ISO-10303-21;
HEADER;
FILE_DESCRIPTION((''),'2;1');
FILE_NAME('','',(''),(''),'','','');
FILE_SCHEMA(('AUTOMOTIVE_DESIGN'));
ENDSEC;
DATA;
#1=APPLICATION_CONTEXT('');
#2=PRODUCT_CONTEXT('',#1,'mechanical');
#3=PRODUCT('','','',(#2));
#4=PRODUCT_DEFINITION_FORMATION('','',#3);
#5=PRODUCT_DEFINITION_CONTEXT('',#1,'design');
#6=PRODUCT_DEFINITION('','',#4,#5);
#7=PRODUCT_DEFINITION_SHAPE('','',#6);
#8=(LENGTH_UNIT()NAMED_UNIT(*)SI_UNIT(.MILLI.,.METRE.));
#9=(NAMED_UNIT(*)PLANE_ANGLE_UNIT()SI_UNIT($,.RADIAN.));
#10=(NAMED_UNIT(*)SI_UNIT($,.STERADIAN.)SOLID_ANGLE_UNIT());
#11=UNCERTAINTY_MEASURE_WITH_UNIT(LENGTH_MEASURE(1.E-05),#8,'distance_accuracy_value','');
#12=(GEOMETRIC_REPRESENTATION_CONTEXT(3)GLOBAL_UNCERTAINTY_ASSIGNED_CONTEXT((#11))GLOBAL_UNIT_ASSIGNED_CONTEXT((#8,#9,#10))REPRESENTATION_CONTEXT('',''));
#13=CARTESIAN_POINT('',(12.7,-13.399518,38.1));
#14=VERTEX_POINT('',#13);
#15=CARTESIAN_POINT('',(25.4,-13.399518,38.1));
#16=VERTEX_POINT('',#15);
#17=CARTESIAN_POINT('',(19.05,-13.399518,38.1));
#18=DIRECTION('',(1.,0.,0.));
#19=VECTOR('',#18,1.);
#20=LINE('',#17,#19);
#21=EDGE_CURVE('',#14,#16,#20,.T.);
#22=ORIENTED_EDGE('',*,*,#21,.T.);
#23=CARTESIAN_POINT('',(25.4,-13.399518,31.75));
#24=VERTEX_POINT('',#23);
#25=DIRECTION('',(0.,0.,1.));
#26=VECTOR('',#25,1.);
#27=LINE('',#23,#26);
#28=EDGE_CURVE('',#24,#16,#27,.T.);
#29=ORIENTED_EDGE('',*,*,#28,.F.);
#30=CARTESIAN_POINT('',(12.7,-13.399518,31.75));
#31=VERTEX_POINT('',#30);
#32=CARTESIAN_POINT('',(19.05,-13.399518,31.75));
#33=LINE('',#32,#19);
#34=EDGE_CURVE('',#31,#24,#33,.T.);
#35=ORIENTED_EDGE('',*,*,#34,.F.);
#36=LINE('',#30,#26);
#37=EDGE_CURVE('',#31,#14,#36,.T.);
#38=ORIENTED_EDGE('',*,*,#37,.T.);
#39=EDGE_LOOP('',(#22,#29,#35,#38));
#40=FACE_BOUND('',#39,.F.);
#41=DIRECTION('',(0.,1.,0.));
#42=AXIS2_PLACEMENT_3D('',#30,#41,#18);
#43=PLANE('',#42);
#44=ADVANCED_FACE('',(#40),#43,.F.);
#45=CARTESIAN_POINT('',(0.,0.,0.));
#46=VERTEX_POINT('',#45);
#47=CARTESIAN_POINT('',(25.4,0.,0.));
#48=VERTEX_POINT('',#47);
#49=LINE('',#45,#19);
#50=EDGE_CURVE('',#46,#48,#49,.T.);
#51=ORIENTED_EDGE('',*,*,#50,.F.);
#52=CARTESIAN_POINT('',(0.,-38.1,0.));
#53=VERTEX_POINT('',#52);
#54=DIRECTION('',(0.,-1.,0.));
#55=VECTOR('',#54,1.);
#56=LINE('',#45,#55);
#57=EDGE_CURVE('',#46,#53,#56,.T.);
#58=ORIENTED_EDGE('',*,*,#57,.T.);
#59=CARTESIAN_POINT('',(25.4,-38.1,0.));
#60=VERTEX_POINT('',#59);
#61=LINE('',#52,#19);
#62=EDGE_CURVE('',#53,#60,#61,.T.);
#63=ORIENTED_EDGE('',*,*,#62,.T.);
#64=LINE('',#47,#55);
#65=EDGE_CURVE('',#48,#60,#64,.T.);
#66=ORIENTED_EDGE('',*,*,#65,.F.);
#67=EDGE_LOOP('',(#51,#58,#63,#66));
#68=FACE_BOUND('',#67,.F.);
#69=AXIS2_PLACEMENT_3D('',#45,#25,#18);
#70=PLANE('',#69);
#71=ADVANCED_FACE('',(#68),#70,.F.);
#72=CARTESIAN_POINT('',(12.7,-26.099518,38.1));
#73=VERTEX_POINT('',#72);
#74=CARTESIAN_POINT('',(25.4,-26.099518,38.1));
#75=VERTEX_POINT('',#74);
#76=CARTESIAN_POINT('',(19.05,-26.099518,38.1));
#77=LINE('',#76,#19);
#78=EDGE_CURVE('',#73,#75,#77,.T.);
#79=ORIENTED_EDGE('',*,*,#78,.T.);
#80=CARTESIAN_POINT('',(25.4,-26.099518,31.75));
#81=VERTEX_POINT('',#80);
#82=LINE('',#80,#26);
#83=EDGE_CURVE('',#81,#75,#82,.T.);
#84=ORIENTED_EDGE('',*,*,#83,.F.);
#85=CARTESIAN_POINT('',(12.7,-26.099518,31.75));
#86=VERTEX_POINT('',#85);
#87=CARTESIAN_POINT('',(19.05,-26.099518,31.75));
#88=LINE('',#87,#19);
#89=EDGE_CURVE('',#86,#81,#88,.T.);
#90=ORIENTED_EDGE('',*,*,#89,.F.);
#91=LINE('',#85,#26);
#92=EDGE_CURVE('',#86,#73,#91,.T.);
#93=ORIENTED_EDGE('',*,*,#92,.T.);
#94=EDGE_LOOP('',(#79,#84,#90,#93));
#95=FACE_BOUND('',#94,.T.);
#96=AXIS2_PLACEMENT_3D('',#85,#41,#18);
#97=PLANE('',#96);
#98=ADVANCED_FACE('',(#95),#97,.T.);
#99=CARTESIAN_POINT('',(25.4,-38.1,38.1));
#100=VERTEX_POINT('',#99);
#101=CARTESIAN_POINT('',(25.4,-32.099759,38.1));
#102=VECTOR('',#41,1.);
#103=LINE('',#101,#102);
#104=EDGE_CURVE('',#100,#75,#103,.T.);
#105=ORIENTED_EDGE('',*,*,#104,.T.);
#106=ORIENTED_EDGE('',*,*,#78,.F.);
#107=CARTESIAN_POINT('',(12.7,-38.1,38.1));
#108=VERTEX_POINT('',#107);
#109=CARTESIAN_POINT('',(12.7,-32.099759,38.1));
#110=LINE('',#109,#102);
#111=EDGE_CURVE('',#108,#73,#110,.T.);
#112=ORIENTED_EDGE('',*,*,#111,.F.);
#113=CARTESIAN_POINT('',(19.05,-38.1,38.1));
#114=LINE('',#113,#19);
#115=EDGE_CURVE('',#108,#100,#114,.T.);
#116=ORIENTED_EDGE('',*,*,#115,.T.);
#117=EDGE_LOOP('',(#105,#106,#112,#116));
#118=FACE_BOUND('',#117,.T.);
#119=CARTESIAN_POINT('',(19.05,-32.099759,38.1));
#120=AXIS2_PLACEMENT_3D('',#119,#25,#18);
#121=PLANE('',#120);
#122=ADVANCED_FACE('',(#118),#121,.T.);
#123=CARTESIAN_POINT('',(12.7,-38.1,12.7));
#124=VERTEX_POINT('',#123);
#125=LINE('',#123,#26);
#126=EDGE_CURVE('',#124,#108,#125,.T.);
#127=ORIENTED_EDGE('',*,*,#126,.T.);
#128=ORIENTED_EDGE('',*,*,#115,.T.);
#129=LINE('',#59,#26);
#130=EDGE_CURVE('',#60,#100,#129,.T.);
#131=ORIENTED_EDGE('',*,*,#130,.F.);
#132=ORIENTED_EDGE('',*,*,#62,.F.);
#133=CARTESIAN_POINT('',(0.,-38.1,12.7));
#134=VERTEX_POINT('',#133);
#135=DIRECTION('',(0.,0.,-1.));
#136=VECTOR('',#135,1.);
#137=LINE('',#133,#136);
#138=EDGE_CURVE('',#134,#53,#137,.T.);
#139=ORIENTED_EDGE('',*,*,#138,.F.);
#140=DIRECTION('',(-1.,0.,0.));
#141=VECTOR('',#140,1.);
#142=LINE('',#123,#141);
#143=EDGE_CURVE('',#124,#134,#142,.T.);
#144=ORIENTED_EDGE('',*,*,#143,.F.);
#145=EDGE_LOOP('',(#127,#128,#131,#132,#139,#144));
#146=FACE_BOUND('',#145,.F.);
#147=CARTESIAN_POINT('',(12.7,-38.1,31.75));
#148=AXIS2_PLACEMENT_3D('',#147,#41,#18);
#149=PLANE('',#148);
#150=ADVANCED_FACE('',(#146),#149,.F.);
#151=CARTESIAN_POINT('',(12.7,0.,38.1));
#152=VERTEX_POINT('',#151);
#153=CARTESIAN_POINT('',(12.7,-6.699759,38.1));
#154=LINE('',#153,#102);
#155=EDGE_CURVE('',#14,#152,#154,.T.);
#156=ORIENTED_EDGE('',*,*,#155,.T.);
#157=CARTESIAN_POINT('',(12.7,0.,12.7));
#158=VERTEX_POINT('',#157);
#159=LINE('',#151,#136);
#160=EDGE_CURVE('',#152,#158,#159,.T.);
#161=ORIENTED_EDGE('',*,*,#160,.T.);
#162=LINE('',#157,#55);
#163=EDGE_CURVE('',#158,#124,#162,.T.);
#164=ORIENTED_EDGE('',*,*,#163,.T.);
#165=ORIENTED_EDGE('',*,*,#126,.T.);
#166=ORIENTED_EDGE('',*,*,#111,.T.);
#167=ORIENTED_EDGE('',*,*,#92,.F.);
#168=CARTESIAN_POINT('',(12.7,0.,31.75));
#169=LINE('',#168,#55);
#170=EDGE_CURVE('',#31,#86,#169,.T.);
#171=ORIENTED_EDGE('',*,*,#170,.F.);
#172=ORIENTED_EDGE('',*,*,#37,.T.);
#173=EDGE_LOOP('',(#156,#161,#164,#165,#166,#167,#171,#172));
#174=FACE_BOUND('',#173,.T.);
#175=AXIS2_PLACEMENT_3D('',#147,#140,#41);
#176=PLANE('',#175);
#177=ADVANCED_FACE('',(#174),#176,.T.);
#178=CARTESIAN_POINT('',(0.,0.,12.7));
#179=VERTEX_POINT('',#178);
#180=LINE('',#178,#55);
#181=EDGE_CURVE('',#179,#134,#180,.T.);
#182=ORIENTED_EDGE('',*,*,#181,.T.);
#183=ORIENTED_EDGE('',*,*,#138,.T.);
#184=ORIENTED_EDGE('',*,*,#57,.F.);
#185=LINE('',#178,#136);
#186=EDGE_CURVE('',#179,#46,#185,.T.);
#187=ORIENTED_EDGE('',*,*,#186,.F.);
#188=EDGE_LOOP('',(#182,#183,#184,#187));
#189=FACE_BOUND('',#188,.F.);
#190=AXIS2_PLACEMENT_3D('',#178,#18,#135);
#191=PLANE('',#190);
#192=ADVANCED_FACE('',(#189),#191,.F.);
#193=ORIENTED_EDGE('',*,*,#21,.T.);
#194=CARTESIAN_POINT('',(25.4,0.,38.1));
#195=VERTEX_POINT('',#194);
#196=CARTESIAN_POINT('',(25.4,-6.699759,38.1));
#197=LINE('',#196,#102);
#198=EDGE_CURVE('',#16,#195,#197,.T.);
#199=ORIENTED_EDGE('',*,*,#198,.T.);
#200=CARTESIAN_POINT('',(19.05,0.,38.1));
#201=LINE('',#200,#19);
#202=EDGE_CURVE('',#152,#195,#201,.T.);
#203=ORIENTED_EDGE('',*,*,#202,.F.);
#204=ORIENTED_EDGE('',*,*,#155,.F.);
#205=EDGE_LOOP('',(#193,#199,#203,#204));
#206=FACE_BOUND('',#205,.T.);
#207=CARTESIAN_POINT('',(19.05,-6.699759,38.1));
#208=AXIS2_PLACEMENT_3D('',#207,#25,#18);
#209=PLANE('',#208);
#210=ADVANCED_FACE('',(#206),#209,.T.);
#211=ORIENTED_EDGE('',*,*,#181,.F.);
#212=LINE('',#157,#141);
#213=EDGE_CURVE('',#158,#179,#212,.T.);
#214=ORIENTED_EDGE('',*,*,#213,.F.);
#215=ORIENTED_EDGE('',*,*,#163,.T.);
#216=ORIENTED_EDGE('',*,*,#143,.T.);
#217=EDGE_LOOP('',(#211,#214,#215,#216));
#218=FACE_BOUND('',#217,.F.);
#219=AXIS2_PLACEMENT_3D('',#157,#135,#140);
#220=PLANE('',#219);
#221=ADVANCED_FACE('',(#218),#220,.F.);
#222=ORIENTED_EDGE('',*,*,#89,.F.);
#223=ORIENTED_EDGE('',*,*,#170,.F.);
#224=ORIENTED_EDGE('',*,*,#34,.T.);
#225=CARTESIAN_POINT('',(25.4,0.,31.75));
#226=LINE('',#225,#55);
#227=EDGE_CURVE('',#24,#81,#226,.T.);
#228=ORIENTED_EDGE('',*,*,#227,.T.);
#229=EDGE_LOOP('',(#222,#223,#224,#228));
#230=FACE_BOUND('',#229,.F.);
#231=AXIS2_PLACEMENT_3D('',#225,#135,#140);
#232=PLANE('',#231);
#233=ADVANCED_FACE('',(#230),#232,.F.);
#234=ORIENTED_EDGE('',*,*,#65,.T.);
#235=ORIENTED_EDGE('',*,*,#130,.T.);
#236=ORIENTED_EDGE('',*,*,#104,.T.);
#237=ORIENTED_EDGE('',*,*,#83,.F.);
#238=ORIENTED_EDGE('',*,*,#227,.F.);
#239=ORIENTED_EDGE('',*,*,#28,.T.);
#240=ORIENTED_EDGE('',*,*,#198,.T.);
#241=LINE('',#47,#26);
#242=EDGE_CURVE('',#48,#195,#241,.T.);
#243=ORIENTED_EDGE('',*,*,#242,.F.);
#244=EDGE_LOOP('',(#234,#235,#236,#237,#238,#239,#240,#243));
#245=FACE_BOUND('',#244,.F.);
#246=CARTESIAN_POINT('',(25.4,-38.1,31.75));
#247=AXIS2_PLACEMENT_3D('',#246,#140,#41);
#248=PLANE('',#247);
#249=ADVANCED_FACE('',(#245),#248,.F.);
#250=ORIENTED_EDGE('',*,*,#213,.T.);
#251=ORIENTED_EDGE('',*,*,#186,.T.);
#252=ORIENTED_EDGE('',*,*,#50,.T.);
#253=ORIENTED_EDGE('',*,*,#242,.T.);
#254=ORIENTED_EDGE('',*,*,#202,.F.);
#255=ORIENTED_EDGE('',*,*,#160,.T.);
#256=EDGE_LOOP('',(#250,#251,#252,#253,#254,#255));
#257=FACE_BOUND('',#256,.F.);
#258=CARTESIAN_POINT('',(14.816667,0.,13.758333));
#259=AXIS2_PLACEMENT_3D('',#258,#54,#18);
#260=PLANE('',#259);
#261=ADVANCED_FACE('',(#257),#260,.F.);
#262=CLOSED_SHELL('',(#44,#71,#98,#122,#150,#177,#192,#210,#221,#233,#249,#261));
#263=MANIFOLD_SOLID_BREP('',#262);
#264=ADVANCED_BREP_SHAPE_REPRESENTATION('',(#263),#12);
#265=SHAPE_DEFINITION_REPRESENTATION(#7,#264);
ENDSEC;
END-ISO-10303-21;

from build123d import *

# Parameters (mm, degrees)
F1_DEPTH = 38.1
F2_W     = 12.7
F2_H     = 12.000482
F2_H_2   = 13.399518
F3_DEPTH = 6.35


with BuildPart() as f1:
    # F0 (on Front) → F1 (new body)
    with BuildSketch(Plane.XZ):
        Polygon((0, 12.7), (0, 0), (25.4, 0), (25.4, 31.75), (12.7, 31.75), (12.7, 12.7), align=None)
    extrude(amount=F1_DEPTH)

    # F2 (on face) → F3 (join)
    with BuildSketch(Plane.XY.offset(31.75)):
        with Locations((19.05, -32.099759)):
            Rectangle(F2_W, F2_H)
        with Locations((19.05, -6.699759)):
            Rectangle(F2_W, F2_H_2)
    extrude(amount=F3_DEPTH)


solid = f1.part
